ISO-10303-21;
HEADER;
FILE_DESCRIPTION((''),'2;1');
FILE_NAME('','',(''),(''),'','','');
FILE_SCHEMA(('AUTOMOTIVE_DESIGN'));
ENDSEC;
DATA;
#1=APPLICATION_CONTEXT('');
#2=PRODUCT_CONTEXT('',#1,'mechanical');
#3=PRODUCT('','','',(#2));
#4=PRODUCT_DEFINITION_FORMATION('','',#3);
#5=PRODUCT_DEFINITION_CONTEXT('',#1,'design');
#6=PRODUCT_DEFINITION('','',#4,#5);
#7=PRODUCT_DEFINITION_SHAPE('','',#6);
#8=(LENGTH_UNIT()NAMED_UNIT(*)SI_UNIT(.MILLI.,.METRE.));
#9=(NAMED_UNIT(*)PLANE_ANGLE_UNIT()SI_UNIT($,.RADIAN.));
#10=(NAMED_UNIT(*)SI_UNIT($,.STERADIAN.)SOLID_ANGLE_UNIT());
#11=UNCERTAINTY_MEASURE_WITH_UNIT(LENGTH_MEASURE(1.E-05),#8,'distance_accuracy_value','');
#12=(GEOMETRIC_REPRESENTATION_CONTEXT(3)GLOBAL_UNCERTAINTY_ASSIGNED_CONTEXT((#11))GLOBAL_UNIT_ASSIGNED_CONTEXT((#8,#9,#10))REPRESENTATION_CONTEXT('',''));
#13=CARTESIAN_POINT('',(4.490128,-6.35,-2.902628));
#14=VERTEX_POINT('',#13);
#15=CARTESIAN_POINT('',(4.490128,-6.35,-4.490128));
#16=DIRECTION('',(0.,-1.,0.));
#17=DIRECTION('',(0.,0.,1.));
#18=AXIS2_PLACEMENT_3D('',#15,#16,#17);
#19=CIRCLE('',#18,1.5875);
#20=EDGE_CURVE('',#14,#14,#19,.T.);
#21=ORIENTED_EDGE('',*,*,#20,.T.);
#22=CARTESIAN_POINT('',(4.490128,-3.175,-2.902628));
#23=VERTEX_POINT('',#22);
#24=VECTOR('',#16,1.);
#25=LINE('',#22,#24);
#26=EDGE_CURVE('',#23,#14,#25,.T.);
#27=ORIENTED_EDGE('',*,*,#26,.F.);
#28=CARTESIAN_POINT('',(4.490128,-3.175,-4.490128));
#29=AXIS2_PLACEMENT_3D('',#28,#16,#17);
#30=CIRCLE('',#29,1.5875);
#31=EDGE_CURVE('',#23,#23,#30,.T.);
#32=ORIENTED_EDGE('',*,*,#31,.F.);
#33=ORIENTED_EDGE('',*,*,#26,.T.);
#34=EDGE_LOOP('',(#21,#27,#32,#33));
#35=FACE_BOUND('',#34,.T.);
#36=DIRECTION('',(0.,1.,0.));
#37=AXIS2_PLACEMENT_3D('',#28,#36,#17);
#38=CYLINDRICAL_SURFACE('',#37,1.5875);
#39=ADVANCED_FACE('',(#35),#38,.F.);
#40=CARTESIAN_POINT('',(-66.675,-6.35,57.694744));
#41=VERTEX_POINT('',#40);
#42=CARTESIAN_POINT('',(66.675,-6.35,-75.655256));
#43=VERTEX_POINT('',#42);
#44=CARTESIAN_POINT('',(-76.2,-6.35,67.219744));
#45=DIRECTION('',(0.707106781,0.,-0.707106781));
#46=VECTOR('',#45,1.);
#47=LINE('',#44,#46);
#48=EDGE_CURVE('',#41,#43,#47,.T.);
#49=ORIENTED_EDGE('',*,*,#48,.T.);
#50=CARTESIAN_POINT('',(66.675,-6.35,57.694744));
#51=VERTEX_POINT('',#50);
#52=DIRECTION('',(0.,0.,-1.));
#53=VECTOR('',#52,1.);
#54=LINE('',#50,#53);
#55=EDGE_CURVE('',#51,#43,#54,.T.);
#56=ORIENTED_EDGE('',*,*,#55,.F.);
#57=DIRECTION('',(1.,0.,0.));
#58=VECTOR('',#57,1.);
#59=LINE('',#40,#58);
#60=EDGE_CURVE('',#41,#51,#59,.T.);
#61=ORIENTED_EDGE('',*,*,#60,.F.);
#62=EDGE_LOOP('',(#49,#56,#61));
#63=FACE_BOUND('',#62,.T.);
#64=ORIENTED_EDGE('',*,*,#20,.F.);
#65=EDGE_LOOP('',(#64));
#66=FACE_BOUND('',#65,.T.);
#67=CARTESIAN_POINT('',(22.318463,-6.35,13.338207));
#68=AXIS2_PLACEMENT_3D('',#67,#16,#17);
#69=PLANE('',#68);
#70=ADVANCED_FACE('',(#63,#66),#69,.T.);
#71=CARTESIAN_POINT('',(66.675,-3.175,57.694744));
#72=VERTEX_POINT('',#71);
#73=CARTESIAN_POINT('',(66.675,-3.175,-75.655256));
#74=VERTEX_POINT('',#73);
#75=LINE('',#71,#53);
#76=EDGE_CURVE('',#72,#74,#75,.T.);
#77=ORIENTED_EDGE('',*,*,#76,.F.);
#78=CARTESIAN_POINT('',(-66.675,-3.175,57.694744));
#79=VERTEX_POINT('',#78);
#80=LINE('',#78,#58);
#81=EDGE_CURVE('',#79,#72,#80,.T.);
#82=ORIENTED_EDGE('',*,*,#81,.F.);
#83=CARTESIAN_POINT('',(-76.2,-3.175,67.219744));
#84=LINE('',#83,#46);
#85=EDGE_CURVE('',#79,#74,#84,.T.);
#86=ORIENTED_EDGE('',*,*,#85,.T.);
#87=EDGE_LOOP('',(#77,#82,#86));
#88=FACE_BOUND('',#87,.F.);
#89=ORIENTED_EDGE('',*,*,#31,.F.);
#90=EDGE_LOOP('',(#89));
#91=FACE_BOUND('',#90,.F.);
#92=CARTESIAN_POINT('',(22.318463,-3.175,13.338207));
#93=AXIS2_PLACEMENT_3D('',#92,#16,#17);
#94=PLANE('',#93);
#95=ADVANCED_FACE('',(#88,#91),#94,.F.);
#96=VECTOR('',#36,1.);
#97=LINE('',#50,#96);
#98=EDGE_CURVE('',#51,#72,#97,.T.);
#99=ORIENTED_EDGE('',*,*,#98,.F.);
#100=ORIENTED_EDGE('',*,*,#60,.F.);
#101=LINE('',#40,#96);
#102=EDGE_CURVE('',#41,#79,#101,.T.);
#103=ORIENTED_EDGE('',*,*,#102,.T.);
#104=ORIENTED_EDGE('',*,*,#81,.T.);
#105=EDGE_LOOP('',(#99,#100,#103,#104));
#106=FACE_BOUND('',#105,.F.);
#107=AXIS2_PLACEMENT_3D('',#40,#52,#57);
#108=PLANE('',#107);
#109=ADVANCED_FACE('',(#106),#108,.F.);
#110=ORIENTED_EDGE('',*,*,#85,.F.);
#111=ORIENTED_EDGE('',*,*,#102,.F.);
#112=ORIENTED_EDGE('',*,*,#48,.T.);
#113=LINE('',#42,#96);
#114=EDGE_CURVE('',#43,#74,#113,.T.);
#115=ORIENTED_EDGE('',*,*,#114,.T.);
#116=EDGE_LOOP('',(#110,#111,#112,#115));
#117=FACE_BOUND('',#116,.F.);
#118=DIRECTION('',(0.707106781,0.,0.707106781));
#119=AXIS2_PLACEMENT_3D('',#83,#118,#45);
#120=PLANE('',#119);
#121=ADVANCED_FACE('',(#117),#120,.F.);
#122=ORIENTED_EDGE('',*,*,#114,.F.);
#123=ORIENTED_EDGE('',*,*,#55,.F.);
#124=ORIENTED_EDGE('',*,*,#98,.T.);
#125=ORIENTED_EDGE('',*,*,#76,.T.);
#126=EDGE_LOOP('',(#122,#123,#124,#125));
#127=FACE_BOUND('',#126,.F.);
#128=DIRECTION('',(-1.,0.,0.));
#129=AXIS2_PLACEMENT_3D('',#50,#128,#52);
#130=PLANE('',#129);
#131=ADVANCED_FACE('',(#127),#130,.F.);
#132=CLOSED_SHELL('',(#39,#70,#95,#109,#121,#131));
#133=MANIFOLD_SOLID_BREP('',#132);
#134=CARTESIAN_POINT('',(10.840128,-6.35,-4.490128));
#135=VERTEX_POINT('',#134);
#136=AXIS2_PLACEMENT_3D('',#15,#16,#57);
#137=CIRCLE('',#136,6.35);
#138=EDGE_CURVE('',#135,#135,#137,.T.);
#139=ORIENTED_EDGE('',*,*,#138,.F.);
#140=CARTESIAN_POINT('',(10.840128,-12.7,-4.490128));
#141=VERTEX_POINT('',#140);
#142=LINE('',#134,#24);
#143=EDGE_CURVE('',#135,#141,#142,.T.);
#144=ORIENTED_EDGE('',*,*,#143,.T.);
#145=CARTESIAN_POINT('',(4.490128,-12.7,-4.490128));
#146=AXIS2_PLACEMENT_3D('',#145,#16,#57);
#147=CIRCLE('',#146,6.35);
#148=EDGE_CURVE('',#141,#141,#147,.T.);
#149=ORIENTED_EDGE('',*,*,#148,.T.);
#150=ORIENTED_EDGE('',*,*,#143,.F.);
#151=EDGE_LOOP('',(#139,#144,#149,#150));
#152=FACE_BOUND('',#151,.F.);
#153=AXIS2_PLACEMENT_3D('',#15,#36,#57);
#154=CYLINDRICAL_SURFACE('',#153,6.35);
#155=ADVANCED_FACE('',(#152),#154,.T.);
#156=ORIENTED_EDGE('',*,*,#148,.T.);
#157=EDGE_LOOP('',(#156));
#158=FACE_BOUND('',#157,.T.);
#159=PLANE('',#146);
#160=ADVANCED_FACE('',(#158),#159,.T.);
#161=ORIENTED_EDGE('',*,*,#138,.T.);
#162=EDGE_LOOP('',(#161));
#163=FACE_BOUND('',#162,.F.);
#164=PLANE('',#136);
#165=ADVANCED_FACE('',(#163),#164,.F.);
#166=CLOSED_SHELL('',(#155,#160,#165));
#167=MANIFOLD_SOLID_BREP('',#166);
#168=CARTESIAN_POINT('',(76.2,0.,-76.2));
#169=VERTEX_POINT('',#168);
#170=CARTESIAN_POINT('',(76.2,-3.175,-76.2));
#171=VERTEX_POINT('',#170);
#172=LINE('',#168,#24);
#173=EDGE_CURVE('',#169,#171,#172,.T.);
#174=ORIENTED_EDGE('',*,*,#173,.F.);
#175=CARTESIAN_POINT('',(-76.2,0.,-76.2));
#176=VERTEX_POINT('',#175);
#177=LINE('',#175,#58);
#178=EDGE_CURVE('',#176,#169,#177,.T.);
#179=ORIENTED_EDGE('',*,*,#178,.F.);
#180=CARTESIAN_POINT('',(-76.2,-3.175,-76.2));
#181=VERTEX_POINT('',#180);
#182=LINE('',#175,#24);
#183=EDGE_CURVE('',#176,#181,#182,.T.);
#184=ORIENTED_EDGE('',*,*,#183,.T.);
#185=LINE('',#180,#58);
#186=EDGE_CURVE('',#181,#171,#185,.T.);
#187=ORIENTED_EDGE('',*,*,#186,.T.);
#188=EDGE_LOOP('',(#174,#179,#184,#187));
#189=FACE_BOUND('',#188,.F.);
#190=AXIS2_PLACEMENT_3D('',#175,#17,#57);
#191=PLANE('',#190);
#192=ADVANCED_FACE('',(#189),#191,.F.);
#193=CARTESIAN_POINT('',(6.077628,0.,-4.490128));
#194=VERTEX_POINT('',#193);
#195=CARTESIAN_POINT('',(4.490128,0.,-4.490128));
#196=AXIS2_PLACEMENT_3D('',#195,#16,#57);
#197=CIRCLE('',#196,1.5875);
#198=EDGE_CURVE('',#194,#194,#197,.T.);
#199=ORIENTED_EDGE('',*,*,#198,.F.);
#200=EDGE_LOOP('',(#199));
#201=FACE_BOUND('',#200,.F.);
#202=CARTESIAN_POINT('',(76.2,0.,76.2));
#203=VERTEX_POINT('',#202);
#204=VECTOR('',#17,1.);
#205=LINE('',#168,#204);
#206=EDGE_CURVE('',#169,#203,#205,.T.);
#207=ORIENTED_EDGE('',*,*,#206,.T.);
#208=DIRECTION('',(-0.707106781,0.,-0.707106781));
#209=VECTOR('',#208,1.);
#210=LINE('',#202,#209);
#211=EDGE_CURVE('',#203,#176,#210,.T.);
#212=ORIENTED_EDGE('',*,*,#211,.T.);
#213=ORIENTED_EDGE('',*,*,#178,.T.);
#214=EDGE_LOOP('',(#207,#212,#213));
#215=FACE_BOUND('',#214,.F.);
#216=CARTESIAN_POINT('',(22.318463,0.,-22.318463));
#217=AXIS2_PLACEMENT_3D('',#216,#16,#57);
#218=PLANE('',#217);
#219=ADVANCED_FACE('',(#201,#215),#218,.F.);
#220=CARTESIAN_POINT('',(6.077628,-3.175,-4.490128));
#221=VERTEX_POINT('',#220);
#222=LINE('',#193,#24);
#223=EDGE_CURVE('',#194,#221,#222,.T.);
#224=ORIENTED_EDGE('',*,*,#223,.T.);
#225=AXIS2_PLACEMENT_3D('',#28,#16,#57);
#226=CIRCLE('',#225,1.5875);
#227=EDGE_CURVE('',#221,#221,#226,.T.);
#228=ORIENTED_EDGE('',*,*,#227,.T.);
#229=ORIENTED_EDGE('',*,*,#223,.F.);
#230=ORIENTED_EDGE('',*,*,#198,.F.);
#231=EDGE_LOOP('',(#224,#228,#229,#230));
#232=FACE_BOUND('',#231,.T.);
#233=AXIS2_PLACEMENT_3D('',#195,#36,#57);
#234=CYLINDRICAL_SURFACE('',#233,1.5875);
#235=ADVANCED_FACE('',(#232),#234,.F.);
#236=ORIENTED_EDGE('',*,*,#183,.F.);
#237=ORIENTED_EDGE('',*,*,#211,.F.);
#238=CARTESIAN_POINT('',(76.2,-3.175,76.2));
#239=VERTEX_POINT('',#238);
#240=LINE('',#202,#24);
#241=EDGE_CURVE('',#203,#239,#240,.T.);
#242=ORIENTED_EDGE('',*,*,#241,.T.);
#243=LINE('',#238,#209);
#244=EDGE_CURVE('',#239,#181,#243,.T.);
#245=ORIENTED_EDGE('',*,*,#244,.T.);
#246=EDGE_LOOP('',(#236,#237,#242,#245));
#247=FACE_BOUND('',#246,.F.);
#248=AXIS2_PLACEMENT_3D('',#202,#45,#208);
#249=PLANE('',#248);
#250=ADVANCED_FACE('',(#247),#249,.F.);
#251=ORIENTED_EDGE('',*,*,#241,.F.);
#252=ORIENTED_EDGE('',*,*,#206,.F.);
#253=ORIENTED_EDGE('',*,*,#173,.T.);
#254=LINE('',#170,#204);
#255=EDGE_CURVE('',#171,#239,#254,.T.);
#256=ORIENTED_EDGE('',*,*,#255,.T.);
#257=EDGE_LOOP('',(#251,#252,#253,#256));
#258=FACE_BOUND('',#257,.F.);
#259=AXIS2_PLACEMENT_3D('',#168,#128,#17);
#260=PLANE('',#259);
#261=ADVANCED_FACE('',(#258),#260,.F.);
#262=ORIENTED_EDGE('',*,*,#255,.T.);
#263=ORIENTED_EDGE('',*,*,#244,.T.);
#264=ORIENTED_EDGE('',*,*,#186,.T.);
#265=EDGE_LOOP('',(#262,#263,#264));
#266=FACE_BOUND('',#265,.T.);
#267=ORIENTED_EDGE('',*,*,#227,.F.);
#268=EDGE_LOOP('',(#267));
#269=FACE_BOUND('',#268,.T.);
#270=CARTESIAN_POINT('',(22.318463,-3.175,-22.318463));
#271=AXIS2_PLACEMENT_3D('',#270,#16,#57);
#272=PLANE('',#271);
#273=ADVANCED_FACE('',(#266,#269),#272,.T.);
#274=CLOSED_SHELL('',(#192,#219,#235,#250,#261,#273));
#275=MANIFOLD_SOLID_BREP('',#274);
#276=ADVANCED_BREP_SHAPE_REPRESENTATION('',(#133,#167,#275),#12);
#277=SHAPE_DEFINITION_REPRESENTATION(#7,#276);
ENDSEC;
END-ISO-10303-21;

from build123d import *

# Parameters (mm, degrees)
F0_R     = 1.5875
F1_DEPTH = 3.175
F4_ANGLE = 90
F6_R     = 6.35
F7_DEPTH = 6.35
F9_DEPTH = 3.175


with BuildPart() as f1:
    # F0 (on Front) → F1 (new body)
    with BuildSketch(Plane.XZ):
        Polygon((76.2, 76.2), (-76.2, -76.2), (76.2, -76.2), align=None)
        with Locations((4.4901280605, -4.4901280605)):
            Circle(F0_R, mode=Mode.SUBTRACT)
    extrude(amount=F1_DEPTH)


with BuildPart() as f4_1:
    # F4: copy of F1
    add(f1.part.rotate(Axis((4.4901280605, -59.5605373383, -4.4901280605), (0, -1, 0)), F4_ANGLE))


with BuildPart() as f4_1_1:
    # F5: moved
    add(f4_1.part.moved(Location((0, -3.175, 0))))

    # F8 (on face) → F9 (cut)
    with BuildSketch(Plane.XZ.offset(6.35)):
        Polygon((66.675, 57.6947438789), (66.675, -75.6552561211), (76.2, -85.1802561211), (76.2, 67.2197438789), (-76.2, 67.2197438789), (-66.675, 57.6947438789), align=None)
    extrude(amount=-F9_DEPTH, mode=Mode.SUBTRACT)


with BuildPart() as f7:
    # F6 (on face) → F7 (new body)
    with BuildSketch(Plane.XZ.offset(6.35)):
        with Locations((4.4901280605, -4.4901280605)):
            Circle(F6_R)
    extrude(amount=F7_DEPTH)


solid = Compound([f1.part, f4_1_1.part, f7.part])
